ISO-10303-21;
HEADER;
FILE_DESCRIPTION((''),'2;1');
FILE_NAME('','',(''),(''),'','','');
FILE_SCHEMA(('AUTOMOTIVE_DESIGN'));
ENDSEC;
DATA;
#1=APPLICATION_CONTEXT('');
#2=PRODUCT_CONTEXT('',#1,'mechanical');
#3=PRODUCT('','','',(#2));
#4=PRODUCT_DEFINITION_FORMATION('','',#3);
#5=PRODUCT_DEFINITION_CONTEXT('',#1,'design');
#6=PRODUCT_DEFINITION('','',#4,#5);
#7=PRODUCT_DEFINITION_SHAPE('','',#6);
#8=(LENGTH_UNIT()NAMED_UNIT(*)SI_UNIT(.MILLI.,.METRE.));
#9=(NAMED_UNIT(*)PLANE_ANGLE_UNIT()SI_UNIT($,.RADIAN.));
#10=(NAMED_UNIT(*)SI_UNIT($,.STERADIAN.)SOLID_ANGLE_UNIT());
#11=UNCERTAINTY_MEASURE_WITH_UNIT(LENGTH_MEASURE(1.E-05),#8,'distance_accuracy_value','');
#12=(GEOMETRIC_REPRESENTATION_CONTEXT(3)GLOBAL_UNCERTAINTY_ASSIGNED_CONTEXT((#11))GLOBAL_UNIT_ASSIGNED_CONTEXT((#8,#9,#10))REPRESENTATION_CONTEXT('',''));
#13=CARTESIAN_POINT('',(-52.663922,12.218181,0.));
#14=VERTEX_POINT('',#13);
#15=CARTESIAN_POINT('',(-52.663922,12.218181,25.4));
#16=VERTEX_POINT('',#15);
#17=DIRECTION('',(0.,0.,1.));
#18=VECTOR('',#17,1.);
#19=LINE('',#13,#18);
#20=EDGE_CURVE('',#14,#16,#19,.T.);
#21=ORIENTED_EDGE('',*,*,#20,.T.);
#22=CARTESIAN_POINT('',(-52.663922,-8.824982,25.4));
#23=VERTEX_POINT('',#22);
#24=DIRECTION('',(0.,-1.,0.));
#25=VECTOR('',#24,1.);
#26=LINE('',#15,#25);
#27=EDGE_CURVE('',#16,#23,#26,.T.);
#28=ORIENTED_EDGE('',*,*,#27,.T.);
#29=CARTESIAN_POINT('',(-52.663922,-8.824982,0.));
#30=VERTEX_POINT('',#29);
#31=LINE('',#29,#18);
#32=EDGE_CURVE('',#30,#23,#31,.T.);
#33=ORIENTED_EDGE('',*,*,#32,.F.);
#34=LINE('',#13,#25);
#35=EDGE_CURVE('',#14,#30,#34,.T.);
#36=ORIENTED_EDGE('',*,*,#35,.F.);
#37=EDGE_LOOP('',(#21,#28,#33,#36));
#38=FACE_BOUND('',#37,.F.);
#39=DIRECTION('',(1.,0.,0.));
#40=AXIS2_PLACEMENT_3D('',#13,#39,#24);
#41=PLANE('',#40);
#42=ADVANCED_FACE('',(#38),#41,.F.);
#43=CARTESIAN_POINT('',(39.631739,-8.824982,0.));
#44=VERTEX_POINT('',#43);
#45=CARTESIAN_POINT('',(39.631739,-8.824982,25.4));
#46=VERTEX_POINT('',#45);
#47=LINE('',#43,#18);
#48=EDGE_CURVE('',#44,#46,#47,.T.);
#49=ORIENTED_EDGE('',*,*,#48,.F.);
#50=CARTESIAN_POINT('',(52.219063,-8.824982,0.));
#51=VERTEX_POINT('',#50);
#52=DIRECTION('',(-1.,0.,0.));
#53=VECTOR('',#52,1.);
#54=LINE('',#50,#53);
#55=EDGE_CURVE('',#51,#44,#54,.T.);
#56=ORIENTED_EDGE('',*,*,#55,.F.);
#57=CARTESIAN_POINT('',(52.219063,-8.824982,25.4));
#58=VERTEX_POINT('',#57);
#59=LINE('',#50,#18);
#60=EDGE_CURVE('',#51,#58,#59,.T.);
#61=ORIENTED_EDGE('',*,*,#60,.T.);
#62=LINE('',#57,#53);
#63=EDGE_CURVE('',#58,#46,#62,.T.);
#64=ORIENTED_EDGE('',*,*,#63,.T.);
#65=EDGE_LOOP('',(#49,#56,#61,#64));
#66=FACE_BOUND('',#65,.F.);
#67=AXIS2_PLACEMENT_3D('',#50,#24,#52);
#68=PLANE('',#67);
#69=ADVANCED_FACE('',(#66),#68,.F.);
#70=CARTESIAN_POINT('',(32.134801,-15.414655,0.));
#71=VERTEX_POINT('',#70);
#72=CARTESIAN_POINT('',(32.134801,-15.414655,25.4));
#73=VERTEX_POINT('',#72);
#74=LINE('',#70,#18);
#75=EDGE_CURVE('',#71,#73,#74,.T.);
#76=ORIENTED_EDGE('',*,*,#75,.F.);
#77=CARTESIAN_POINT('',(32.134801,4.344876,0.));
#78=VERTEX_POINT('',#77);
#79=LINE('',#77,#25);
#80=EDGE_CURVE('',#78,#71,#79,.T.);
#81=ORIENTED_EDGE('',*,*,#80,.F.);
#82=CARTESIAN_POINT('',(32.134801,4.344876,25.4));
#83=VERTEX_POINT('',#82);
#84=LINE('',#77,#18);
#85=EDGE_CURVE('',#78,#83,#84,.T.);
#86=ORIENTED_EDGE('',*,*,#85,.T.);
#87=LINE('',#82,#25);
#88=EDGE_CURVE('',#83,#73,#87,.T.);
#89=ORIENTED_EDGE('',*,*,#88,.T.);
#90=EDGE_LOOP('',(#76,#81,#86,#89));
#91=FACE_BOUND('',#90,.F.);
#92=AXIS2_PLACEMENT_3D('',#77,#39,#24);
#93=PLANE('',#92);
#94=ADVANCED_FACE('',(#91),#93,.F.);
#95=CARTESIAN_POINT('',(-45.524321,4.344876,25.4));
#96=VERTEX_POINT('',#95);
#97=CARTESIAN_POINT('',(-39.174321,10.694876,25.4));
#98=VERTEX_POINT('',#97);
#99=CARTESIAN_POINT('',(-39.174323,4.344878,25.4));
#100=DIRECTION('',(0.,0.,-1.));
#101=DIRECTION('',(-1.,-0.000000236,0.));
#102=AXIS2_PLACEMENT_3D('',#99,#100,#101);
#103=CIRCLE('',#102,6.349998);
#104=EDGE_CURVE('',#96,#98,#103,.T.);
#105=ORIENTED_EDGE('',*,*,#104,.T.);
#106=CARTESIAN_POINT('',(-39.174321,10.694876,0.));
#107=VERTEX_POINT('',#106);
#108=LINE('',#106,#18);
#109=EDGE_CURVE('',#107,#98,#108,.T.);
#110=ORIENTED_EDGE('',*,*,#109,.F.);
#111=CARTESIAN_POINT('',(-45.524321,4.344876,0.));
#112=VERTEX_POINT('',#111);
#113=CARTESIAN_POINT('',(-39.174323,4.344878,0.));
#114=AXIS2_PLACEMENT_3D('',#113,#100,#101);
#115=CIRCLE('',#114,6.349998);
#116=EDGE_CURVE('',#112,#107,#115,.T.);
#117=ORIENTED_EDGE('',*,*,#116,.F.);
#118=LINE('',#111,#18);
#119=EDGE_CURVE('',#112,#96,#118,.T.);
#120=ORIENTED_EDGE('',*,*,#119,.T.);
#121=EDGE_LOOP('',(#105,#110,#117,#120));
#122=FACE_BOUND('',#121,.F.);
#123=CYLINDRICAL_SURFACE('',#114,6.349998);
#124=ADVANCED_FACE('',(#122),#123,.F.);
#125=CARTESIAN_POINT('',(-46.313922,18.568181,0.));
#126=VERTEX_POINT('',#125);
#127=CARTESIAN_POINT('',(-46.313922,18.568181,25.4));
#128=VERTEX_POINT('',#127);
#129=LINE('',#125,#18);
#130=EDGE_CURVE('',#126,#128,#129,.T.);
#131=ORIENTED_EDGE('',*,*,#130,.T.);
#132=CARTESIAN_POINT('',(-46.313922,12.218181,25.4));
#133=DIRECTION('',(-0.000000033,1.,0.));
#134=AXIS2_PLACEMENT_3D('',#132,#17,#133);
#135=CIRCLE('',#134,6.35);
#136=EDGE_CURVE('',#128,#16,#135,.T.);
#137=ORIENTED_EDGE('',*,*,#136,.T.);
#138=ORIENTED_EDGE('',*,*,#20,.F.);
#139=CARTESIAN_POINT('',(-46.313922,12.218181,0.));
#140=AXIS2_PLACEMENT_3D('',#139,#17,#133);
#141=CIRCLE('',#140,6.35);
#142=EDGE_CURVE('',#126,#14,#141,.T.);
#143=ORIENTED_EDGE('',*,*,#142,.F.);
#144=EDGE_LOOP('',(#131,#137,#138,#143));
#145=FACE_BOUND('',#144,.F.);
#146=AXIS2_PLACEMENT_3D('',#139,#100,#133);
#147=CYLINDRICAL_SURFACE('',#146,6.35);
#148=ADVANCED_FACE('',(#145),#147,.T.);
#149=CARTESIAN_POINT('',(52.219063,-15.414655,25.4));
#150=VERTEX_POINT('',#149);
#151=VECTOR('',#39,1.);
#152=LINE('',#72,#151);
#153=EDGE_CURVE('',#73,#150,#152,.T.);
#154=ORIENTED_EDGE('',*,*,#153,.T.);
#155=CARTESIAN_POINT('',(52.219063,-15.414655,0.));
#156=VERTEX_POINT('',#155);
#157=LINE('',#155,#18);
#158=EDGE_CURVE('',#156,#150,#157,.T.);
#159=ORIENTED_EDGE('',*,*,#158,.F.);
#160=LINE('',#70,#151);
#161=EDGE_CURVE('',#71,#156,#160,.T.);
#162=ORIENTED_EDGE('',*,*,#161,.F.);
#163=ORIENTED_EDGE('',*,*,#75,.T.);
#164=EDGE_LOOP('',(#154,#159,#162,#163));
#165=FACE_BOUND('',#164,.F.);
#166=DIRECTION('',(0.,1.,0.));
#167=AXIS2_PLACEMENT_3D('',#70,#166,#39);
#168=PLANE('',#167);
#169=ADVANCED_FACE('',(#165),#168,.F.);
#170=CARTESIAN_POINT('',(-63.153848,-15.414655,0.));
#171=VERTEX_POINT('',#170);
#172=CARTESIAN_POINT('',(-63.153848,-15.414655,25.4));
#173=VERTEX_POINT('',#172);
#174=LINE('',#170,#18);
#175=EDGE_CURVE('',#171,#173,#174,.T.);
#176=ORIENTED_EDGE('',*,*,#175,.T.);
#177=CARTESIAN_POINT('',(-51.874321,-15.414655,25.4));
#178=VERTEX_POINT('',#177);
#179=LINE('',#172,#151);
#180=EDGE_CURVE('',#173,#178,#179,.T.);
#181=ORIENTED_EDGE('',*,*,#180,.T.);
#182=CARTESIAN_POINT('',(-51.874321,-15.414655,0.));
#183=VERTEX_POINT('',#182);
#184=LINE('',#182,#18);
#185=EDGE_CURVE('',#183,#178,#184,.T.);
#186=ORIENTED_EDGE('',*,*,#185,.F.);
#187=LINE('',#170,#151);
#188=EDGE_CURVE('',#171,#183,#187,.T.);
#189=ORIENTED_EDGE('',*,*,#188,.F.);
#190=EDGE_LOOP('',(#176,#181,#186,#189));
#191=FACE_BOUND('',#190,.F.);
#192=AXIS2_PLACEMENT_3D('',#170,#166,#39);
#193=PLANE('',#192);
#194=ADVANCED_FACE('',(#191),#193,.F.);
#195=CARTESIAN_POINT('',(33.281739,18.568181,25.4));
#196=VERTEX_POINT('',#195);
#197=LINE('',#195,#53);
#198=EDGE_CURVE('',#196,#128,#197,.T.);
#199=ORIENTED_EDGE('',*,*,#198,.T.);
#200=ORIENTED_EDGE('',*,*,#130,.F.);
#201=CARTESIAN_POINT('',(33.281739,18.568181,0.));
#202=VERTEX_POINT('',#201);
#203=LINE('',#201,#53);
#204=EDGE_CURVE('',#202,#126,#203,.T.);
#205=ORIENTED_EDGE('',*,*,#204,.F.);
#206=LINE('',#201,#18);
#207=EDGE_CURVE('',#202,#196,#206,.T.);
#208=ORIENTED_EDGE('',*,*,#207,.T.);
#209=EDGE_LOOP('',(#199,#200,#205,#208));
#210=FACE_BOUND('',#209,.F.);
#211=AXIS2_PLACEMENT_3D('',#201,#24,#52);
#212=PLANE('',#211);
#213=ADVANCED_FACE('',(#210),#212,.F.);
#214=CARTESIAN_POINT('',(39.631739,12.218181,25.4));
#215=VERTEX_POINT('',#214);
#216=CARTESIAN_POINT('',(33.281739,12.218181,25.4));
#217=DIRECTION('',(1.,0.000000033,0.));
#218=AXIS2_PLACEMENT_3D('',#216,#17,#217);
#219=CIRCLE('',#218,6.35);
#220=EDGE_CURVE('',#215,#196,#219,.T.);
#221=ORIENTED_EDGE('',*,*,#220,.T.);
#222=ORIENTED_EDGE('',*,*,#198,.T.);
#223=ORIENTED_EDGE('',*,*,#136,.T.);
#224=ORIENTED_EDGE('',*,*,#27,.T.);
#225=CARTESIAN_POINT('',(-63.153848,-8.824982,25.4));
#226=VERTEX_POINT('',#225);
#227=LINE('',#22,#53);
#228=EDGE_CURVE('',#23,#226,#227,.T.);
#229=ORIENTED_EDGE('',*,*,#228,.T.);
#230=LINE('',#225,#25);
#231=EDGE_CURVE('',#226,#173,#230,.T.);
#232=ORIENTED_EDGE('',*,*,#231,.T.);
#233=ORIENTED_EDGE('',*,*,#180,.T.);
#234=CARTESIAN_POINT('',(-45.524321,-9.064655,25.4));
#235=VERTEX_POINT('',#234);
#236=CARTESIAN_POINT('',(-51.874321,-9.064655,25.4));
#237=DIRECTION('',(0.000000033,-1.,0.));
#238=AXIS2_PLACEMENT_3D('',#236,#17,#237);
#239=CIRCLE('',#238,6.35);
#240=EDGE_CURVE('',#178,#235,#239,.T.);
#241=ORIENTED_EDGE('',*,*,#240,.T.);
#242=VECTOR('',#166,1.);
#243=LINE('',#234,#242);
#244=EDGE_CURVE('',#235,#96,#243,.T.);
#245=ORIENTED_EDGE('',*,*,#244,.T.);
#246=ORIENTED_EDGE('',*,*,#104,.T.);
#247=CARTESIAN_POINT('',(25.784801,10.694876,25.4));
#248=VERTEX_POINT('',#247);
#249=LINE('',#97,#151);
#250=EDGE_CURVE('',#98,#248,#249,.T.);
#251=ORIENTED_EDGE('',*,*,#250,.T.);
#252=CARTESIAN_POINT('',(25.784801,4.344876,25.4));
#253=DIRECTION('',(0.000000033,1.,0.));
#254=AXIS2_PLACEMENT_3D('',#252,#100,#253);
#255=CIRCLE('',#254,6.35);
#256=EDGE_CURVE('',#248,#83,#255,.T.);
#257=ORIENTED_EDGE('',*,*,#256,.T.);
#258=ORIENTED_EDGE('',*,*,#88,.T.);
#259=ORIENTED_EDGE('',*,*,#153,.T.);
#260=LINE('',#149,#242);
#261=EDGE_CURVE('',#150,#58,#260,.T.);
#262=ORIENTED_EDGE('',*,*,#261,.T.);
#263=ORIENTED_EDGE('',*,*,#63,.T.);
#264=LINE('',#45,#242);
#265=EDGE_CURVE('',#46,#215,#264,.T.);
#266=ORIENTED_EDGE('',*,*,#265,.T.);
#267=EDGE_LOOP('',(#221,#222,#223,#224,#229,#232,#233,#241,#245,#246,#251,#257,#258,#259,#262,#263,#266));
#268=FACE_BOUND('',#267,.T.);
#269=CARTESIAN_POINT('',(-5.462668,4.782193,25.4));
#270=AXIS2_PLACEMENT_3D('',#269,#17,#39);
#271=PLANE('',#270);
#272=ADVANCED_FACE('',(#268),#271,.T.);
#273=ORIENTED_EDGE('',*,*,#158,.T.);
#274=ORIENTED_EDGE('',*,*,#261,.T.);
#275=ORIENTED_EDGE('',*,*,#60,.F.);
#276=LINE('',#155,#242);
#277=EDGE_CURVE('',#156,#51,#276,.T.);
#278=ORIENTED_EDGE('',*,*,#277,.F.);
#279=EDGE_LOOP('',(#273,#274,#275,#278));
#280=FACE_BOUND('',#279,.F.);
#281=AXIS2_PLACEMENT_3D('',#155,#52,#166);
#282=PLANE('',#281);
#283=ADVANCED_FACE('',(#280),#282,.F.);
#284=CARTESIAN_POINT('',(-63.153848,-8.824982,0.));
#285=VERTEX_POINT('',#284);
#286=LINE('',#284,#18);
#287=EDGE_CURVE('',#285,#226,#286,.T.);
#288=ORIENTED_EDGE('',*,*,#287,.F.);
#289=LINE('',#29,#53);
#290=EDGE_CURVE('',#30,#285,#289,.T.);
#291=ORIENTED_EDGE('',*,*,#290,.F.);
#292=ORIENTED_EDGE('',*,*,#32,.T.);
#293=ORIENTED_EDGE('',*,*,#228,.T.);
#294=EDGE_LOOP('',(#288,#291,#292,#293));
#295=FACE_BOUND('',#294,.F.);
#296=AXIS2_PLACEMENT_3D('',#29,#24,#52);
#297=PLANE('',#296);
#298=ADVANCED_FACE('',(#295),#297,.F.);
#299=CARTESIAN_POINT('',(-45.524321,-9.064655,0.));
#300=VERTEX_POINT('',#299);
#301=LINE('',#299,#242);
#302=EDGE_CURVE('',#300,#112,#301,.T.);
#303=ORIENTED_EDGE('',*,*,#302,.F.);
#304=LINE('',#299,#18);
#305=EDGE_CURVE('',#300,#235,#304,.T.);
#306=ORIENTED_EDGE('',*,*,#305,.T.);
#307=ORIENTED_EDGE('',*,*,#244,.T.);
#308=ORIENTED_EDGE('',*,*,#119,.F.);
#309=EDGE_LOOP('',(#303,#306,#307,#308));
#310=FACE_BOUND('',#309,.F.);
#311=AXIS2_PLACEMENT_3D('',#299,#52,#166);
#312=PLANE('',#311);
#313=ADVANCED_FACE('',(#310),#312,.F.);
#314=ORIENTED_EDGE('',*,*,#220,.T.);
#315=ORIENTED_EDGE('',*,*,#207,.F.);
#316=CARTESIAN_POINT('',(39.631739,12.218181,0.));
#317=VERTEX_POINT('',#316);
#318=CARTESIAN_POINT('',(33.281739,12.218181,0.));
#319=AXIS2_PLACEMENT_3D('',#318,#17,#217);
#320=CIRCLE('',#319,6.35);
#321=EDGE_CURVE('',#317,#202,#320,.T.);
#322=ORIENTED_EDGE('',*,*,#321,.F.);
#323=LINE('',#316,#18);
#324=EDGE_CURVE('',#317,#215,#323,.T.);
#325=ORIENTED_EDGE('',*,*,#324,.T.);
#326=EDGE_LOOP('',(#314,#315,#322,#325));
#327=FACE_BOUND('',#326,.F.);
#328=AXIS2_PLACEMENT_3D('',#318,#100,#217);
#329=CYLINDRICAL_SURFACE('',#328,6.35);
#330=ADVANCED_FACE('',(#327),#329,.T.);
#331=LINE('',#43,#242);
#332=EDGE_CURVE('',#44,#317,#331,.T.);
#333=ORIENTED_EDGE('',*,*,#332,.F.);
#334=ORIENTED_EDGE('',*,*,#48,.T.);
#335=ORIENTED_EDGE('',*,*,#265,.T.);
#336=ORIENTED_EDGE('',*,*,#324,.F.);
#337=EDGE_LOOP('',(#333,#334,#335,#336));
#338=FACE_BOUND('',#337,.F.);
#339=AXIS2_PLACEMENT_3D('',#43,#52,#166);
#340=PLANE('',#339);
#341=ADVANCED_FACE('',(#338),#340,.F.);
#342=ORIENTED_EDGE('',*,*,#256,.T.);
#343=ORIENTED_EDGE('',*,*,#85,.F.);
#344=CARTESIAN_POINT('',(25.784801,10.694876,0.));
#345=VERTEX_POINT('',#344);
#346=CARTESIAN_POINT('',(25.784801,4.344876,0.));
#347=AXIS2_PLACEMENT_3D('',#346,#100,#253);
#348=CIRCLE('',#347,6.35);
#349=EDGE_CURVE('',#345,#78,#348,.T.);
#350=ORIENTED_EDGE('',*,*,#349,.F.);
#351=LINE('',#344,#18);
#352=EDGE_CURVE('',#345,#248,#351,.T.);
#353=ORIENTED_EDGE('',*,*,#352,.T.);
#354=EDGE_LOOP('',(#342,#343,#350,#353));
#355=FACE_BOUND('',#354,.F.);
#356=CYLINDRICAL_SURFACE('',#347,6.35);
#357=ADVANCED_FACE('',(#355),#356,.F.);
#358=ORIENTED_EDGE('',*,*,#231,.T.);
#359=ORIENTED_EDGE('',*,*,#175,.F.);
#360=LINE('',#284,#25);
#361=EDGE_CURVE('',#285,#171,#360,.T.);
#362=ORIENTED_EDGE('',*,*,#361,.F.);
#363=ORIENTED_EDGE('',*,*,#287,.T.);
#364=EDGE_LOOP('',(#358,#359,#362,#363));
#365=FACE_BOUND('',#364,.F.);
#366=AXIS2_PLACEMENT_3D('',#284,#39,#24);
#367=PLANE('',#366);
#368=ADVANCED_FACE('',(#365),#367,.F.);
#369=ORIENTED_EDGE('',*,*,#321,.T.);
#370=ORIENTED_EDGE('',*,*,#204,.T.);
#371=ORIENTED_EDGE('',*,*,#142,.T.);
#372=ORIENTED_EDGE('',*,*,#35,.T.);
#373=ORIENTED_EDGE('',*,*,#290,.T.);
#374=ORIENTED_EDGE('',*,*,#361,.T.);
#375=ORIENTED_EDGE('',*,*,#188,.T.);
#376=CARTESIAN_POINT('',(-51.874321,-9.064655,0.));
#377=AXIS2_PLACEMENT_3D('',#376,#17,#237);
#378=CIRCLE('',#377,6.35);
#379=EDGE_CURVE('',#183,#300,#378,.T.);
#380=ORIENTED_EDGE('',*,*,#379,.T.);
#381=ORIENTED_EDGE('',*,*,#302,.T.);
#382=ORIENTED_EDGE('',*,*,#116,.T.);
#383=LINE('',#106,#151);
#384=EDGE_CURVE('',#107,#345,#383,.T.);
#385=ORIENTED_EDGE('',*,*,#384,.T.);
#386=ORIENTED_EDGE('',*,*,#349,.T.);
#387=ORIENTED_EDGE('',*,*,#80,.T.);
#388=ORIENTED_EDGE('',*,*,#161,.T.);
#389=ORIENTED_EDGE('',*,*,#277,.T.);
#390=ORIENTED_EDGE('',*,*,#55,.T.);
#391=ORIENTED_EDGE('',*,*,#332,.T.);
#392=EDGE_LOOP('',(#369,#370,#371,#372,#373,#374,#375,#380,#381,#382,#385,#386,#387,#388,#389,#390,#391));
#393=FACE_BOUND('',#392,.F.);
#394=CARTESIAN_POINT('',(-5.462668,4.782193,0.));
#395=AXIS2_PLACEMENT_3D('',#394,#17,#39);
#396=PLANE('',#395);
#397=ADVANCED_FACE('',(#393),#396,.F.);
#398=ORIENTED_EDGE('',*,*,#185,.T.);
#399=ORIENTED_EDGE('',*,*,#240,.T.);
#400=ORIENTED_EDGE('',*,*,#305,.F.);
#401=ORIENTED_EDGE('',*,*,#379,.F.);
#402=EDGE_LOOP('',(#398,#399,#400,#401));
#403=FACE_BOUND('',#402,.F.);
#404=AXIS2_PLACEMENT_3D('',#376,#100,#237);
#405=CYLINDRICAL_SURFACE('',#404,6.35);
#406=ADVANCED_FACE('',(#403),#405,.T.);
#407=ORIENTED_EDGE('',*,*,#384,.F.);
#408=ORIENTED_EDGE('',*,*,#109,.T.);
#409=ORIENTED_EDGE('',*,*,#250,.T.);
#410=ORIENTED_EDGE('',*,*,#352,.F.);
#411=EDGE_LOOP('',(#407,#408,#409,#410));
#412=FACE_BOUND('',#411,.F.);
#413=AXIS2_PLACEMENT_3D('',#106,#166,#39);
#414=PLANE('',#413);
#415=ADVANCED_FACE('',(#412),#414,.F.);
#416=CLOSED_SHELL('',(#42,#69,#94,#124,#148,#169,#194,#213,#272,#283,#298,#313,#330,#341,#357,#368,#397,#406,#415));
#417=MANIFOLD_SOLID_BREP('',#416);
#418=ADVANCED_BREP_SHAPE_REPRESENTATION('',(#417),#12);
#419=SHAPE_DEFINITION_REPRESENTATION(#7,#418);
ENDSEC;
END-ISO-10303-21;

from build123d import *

# Parameters (mm, degrees)
F1_DEPTH = 25.4


with BuildPart() as f1:
    # F0 (on Top) → F1 (new body)
    with BuildSketch(Plane.XY):
        with BuildLine():
            Line((-63.153848, -8.824982), (-63.153848, -15.414655))
            Line((-63.153848, -15.414655), (-51.874321, -15.414655))
            ThreePointArc((-51.874321, -15.414655), (-47.384193, -13.554783), (-45.524321, -9.064655))
            Line((-45.524321, -9.064655), (-45.524321, 4.344876))
            ThreePointArc((-45.524321, 4.344876), (-43.66445, 8.835004), (-39.174321, 10.694876))
            Line((-39.174321, 10.694876), (25.784801, 10.694876))
            ThreePointArc((25.784801, 10.694876), (30.274929, 8.835004), (32.134801, 4.344876))
            Line((32.134801, 4.344876), (32.134801, -15.414655))
            Line((32.134801, -15.414655), (52.219063, -15.414655))
            Line((52.219063, -15.414655), (52.219063, -8.824982))
            Line((52.219063, -8.824982), (39.631739, -8.824982))
            Line((39.631739, -8.824982), (39.631739, 12.218181))
            ThreePointArc((39.631739, 12.218181), (37.771867, 16.708309), (33.281739, 18.568181))
            Line((33.281739, 18.568181), (-46.313922, 18.568181))
            ThreePointArc((-46.313922, 18.568181), (-50.80405, 16.708309), (-52.663922, 12.218181))
            Line((-52.663922, 12.218181), (-52.663922, -8.824982))
            Line((-52.663922, -8.824982), (-63.153848, -8.824982))
        make_face()
    extrude(amount=F1_DEPTH)


solid = f1.part
